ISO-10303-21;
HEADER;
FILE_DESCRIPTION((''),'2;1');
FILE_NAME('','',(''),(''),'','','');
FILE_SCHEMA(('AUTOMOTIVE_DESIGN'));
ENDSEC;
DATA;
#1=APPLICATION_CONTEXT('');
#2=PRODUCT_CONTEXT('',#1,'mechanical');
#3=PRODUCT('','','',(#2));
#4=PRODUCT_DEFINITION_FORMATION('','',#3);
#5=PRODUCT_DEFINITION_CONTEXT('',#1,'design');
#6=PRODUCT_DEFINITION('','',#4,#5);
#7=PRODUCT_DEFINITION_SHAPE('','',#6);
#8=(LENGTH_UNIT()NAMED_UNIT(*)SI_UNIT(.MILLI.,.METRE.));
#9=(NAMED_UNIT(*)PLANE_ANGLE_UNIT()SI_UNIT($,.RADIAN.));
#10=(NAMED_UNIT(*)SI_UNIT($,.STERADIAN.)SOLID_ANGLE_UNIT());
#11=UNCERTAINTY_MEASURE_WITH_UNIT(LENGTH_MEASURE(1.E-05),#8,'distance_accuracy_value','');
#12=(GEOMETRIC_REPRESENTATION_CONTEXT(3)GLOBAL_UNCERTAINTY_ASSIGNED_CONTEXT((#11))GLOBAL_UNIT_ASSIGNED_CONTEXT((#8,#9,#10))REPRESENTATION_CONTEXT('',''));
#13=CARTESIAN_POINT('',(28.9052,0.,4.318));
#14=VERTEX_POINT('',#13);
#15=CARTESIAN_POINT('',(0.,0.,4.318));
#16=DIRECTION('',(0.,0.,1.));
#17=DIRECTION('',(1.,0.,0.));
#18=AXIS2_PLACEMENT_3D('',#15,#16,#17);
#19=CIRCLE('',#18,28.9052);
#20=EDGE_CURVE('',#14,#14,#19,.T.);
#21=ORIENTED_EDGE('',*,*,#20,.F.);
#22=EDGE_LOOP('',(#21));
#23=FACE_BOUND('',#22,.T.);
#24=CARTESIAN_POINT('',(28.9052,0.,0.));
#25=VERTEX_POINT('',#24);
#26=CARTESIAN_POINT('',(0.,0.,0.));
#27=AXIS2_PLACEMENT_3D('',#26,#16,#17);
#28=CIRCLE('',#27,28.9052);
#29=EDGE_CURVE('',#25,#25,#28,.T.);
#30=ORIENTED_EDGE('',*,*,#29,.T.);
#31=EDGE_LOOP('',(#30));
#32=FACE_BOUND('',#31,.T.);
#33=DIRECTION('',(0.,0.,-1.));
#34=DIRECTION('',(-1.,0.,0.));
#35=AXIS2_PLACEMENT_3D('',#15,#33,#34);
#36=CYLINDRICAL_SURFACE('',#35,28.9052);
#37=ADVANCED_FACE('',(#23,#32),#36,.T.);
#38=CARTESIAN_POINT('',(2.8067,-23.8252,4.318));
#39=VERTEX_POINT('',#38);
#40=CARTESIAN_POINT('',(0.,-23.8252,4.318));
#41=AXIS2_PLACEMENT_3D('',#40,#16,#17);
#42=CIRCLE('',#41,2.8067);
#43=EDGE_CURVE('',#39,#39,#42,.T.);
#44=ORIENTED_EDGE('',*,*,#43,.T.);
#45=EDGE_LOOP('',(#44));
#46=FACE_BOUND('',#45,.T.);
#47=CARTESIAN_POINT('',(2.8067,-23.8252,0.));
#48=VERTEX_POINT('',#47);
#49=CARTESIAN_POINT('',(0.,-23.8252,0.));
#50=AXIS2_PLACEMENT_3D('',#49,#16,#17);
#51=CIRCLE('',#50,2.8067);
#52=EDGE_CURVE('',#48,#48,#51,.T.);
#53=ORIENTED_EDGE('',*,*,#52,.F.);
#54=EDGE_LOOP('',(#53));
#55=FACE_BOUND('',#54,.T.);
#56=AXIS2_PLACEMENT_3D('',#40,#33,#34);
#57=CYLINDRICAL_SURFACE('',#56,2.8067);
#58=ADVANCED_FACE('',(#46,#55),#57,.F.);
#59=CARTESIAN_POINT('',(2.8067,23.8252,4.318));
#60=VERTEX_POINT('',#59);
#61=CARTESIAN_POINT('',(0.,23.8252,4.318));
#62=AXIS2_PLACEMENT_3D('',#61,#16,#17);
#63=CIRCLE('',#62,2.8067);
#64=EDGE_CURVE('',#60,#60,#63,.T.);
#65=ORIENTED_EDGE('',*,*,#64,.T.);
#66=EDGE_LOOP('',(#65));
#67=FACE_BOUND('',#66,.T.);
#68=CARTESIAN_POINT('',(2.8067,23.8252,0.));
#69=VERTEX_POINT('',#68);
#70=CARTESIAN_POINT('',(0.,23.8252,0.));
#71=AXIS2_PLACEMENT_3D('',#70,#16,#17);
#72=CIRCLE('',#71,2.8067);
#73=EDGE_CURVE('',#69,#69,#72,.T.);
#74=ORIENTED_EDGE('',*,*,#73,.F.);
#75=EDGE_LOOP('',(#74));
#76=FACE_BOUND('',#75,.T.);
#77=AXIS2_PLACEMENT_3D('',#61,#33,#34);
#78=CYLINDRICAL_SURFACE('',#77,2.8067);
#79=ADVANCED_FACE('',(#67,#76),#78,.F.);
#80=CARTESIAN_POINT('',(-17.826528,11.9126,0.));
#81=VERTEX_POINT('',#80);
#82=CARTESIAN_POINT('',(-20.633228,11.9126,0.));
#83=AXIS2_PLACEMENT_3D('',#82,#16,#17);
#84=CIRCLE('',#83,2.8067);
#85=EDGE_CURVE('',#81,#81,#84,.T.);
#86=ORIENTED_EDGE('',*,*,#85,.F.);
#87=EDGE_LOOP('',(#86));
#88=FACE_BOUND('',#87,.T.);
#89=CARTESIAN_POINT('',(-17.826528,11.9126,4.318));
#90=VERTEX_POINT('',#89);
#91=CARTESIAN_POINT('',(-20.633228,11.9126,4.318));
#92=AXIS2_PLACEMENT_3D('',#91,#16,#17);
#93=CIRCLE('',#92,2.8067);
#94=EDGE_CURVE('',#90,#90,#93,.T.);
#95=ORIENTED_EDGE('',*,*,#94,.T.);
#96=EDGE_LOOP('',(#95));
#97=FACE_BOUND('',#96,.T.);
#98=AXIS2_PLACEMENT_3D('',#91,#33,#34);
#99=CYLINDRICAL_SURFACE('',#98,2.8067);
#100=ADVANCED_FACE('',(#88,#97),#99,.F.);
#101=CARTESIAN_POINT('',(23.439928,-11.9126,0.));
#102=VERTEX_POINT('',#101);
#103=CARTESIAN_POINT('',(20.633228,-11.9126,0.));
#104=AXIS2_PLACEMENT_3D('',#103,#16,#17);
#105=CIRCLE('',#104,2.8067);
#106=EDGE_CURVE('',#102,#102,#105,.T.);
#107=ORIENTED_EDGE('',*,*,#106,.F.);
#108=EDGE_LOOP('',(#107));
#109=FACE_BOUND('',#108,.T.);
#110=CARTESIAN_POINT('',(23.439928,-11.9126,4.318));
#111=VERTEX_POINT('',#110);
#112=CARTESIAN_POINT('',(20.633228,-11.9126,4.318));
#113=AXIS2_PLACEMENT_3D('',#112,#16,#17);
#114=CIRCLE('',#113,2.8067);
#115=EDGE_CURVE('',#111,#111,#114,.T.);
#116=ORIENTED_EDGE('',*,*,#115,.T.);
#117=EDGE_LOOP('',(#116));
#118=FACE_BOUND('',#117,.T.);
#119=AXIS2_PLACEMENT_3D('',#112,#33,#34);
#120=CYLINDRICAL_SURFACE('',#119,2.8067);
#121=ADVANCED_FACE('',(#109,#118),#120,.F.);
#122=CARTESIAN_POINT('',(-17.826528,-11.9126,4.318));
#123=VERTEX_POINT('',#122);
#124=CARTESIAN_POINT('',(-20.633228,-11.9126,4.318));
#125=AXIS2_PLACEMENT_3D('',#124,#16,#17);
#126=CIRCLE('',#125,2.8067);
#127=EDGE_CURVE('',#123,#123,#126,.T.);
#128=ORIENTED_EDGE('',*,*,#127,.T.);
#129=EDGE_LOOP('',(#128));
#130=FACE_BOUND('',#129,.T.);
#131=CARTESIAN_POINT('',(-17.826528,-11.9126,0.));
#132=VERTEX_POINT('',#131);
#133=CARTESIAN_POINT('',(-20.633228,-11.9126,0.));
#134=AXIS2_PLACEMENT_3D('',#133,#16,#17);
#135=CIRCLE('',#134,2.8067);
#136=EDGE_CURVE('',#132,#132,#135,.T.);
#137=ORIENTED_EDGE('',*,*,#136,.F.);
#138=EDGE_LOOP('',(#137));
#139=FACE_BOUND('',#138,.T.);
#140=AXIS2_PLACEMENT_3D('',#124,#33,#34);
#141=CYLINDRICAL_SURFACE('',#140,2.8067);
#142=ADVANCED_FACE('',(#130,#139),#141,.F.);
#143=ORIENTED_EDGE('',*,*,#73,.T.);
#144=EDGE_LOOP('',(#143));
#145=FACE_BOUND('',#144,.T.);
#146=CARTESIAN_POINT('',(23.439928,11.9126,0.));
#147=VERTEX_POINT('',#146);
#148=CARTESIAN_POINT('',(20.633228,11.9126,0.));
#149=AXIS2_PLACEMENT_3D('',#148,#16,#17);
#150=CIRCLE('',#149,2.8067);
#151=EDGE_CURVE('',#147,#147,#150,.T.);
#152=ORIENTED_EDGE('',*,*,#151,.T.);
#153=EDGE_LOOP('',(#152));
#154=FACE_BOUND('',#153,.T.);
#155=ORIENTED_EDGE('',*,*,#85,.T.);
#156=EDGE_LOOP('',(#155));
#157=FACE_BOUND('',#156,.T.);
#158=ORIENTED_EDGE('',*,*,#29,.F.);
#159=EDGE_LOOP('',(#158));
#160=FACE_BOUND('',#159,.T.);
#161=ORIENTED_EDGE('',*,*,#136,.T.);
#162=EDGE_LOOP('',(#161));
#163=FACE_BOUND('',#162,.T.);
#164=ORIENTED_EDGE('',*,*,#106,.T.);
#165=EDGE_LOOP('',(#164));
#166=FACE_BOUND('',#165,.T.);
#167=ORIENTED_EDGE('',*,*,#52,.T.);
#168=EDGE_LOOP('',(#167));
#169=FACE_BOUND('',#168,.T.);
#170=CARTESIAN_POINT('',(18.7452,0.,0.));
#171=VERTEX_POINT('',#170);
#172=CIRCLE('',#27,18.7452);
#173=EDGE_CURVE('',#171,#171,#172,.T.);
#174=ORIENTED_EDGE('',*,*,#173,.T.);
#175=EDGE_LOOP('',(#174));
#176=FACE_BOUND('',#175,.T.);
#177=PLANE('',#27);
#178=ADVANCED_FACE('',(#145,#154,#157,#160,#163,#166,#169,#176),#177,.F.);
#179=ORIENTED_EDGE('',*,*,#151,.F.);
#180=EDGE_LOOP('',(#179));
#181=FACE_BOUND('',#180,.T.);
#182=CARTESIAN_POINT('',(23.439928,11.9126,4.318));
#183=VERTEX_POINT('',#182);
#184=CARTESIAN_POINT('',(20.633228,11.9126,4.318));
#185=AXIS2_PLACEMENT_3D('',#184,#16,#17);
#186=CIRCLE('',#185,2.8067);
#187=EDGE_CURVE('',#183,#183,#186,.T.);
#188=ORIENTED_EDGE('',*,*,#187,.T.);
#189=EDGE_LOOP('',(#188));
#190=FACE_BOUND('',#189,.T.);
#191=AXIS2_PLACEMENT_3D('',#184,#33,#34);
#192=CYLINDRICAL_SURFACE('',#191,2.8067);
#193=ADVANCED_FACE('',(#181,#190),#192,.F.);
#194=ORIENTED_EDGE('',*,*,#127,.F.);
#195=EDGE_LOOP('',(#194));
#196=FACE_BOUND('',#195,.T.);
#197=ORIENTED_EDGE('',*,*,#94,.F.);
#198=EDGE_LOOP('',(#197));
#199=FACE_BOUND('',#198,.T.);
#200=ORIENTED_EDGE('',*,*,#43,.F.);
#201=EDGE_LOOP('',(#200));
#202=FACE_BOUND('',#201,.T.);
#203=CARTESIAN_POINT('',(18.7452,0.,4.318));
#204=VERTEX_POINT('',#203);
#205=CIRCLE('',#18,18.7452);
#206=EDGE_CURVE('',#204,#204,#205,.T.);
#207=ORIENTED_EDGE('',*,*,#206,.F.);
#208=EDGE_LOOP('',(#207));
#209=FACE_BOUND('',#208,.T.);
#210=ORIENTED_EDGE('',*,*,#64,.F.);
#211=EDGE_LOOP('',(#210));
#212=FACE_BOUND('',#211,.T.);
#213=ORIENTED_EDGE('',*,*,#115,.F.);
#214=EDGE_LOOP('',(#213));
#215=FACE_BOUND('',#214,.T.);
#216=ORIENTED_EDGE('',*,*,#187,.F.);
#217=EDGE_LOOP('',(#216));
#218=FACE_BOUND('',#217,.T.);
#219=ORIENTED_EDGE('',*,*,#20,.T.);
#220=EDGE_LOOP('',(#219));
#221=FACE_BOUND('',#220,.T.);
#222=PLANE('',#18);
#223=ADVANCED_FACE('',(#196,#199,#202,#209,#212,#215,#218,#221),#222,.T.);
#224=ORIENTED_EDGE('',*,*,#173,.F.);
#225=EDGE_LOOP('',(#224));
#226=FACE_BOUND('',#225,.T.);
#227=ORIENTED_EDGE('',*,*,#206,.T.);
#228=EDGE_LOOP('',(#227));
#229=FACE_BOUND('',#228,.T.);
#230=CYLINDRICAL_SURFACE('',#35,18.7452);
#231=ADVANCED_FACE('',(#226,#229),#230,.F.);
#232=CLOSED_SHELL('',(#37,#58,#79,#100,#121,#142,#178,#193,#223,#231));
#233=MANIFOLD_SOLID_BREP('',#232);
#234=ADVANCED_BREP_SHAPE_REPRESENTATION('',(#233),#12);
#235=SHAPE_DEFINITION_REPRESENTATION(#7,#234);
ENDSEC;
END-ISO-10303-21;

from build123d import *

# Parameters (mm, degrees)
SKETCH1_R           = 28.9052
SKETCH1_R_2         = 2.8067
SKETCH1_R_3         = 18.7452
BOSS_EXTRUDE1_DEPTH = 4.318


with BuildPart() as part:
    # Sketch1 → Boss-Extrude1 (new body)
    with BuildSketch(Plane.XY):
        Circle(SKETCH1_R)
        with Locations((0, 23.8252)):
            Circle(SKETCH1_R_2, mode=Mode.SUBTRACT)
        with Locations((20.63322845, 11.9126)):
            Circle(SKETCH1_R_2, mode=Mode.SUBTRACT)
        with Locations((20.63322845, -11.9126)):
            Circle(SKETCH1_R_2, mode=Mode.SUBTRACT)
        with Locations((0, -23.8252)):
            Circle(SKETCH1_R_2, mode=Mode.SUBTRACT)
        with Locations((-20.63322845, -11.9126)):
            Circle(SKETCH1_R_2, mode=Mode.SUBTRACT)
        with Locations((-20.63322845, 11.9126)):
            Circle(SKETCH1_R_2, mode=Mode.SUBTRACT)
        Circle(SKETCH1_R_3, mode=Mode.SUBTRACT)
    extrude(amount=BOSS_EXTRUDE1_DEPTH)


solid = part.part
